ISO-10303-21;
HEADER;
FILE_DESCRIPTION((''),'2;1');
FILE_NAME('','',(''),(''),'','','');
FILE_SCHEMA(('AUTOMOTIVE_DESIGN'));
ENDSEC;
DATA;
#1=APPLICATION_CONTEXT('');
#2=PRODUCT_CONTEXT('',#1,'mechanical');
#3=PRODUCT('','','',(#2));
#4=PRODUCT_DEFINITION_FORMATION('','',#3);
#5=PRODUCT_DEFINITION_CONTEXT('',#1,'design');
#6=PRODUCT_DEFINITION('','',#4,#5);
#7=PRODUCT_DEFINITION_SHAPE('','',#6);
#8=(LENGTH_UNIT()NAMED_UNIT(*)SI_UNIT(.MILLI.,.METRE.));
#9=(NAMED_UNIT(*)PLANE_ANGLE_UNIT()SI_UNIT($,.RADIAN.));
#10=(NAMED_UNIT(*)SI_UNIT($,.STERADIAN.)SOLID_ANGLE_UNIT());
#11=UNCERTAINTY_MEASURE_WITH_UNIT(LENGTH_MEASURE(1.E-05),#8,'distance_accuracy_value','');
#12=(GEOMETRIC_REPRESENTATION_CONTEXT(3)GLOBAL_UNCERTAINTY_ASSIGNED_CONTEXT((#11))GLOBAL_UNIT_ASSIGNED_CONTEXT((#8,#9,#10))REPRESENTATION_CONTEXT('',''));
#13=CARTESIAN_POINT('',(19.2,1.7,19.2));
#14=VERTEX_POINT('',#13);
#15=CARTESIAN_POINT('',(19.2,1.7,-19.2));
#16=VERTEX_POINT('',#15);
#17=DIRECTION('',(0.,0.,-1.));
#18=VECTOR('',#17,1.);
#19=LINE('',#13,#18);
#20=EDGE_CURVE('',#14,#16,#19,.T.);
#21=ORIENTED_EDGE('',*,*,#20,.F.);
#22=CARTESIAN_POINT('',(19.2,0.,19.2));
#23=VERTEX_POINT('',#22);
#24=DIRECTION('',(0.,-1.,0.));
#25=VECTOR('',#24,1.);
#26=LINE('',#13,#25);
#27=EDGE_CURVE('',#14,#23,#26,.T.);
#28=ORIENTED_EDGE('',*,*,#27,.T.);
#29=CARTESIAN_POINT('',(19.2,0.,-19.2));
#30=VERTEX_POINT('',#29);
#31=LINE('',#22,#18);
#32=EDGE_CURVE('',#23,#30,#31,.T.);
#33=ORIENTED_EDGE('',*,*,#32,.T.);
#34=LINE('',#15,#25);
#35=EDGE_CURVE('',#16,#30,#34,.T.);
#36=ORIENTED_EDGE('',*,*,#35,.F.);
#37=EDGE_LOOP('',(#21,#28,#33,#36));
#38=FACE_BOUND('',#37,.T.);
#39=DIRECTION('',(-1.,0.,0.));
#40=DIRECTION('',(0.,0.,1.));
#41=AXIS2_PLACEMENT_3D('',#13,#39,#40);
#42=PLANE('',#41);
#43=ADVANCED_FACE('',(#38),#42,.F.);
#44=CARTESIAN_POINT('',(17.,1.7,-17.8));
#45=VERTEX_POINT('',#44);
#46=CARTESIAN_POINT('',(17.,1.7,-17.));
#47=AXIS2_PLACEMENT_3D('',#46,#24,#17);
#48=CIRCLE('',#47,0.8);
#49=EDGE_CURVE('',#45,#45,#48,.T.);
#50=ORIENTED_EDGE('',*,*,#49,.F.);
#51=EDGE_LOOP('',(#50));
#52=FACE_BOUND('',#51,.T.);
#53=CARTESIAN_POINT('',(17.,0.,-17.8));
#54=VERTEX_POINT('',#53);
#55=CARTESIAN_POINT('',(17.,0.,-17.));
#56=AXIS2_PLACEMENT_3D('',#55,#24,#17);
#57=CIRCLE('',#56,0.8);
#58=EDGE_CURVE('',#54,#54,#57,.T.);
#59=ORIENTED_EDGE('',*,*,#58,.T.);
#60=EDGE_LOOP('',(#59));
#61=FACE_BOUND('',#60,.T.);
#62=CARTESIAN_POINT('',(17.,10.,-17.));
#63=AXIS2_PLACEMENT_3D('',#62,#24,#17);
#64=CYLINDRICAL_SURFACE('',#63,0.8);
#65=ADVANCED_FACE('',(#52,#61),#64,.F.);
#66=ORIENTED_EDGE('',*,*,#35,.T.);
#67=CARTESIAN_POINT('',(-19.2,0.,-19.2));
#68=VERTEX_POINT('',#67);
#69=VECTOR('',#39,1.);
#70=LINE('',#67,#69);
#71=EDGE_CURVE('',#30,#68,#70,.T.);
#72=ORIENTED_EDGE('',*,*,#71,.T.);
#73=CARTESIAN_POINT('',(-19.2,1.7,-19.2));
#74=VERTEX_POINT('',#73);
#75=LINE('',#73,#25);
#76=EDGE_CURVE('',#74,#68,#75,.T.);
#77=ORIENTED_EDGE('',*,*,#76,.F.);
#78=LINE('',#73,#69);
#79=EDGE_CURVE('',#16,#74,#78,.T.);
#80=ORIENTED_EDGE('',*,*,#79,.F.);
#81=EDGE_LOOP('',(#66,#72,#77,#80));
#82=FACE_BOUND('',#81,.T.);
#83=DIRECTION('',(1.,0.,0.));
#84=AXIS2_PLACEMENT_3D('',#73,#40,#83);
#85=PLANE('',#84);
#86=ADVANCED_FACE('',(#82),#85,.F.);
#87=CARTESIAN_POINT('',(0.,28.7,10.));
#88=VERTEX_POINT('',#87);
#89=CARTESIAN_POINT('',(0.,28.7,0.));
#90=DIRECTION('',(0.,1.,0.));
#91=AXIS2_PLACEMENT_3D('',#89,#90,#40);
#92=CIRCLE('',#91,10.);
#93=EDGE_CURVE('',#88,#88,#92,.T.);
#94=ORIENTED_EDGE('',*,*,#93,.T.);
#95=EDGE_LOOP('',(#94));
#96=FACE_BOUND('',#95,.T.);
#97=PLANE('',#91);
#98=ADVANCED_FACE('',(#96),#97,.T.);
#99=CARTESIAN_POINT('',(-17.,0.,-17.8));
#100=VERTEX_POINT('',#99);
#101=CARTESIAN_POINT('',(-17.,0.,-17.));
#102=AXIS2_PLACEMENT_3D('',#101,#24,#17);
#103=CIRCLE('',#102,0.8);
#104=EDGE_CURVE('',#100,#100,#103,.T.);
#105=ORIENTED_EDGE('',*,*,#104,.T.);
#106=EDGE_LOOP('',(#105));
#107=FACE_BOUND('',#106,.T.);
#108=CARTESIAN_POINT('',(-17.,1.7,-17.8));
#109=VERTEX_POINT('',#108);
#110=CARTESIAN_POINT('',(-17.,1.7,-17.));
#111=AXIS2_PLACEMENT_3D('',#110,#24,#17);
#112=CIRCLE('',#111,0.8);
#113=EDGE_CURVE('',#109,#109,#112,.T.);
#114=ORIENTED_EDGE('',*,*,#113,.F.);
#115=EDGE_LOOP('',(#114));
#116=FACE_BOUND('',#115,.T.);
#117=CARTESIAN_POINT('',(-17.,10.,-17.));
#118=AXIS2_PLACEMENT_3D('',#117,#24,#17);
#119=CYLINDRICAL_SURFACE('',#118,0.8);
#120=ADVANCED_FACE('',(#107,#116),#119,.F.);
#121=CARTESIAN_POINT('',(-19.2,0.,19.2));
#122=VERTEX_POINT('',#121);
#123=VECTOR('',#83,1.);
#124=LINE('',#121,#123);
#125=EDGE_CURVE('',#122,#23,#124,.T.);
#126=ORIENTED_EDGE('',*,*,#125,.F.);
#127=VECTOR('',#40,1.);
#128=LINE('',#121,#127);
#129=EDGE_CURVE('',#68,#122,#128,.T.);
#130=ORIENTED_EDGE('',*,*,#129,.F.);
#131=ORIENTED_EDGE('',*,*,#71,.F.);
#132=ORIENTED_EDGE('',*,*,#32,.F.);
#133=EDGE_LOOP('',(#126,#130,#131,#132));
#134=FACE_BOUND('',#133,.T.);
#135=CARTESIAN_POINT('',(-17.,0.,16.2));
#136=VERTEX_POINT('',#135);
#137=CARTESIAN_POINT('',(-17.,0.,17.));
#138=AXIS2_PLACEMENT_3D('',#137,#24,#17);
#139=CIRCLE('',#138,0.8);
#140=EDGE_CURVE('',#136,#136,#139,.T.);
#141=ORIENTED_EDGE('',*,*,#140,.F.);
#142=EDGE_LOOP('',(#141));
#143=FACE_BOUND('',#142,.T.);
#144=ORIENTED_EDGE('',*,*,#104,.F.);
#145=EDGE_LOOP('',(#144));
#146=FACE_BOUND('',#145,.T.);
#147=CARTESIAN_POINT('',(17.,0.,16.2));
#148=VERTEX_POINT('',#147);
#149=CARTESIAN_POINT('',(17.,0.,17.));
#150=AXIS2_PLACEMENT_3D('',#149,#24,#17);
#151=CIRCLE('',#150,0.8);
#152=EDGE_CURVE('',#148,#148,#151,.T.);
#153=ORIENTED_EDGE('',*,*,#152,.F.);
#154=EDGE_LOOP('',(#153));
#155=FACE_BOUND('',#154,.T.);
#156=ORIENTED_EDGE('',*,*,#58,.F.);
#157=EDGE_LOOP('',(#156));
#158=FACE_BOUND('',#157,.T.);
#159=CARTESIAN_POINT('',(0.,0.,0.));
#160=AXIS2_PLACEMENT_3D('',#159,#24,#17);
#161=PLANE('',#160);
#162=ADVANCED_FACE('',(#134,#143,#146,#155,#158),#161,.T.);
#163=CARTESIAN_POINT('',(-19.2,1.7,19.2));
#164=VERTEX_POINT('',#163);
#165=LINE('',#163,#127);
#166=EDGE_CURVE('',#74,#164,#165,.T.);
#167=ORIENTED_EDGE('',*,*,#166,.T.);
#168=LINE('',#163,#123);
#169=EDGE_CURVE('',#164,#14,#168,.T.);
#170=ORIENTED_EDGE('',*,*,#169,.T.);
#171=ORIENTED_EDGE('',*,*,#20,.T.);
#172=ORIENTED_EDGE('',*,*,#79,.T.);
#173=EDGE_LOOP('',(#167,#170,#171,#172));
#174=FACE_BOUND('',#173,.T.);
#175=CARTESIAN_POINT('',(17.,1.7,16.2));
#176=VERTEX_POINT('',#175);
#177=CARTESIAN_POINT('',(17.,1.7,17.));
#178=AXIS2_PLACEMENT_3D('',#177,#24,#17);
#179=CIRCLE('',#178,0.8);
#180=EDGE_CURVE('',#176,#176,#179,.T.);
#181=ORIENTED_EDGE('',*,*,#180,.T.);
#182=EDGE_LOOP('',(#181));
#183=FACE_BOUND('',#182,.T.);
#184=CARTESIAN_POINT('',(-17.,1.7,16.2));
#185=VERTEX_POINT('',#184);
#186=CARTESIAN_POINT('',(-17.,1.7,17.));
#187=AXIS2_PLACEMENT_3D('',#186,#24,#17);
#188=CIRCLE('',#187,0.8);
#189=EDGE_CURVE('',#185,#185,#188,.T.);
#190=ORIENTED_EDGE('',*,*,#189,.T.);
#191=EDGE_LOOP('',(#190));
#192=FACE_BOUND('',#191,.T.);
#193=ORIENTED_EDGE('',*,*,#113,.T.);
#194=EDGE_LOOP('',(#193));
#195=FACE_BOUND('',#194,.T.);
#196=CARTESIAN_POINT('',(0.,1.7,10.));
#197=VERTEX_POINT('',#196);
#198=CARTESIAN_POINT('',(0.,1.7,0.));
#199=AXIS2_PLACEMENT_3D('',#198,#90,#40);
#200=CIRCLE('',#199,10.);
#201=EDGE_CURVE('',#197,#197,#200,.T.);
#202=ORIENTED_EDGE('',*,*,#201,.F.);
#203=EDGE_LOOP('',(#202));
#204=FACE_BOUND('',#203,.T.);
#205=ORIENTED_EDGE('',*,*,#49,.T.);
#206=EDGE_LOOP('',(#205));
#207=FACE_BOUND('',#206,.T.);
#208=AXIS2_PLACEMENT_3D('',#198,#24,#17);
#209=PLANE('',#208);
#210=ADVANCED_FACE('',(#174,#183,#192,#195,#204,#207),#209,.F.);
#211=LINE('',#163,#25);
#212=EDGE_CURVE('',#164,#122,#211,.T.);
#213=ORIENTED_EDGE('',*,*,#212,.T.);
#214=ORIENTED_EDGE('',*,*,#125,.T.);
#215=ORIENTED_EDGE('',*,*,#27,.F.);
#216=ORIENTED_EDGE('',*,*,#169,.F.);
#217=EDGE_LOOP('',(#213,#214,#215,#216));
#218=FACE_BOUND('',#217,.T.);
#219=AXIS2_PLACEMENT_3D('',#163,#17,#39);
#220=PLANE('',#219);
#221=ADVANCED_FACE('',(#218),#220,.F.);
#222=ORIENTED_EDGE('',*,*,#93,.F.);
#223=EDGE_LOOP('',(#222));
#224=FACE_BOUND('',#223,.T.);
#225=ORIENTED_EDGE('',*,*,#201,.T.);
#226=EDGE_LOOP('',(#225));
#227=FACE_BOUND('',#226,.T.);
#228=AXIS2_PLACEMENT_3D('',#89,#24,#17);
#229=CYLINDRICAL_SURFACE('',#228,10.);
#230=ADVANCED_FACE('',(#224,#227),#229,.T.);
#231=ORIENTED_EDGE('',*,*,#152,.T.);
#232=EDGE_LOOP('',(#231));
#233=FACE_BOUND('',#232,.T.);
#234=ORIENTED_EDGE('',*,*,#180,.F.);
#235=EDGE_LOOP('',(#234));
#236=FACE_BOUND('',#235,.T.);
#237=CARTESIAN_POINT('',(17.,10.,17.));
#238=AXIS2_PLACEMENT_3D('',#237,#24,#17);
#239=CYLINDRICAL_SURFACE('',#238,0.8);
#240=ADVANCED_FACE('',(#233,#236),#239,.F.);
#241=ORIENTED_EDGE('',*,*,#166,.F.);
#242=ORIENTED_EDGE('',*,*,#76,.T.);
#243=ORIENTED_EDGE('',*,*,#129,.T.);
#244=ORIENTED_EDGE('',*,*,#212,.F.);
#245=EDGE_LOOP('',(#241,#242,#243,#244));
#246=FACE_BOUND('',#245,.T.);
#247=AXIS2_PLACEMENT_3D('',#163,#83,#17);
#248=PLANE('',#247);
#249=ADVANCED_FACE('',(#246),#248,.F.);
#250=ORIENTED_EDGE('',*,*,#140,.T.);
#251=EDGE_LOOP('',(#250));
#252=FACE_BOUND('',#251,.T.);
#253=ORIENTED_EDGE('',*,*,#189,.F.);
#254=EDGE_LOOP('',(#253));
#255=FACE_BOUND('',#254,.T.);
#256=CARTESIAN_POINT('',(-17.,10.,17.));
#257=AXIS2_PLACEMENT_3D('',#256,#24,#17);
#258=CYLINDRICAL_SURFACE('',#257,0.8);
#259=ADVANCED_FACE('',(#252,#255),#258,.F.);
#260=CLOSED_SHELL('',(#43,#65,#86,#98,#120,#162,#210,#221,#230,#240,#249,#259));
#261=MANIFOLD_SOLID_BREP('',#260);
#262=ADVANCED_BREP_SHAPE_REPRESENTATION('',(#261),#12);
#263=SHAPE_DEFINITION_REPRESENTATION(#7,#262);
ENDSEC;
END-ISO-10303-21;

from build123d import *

# Parameters (mm, degrees)
SKETCH_1_W          = 38.4
SKETCH_1_H          = 38.4
EXTRUDE_1_DEPTH     = 1.7
SKETCH_2_R          = 10
EXTRUDE_2_DEPTH     = 27
SKETCH_3_R          = 0.8
CUT_EXTRUDE_1_DEPTH = 10


with BuildPart() as part:
    # 草图1 → 凸台-拉伸1 (new body)
    with BuildSketch(Plane(origin=(0, 0, 0), x_dir=(1, 0, 0), z_dir=(0, 1, 0))):
        Rectangle(SKETCH_1_W, SKETCH_1_H)
    extrude(amount=EXTRUDE_1_DEPTH)

    # 草图2 → 凸台-拉伸2 (add)
    with BuildSketch(Plane(origin=(0, 1.7, 0), x_dir=(1, 0, 0), z_dir=(0, 1, 0))):
        with Locations(Location((0, 0, 0), (0, 0, 270))):
            Circle(SKETCH_2_R)
    extrude(amount=EXTRUDE_2_DEPTH)

    # 草图3 → 切除-拉伸1 (cut)
    with BuildSketch(Plane.XZ):
        with Locations(Location((-17, 17, 0), (0, 0, 270))):
            Circle(SKETCH_3_R)
        with Locations(Location((17, 17, 0), (0, 0, 270))):
            Circle(SKETCH_3_R)
        with Locations(Location((17, -17, 0), (0, 0, 270))):
            Circle(SKETCH_3_R)
        with Locations(Location((-17, -17, 0), (0, 0, 270))):
            Circle(SKETCH_3_R)
    extrude(amount=-CUT_EXTRUDE_1_DEPTH, mode=Mode.SUBTRACT)


solid = part.part
